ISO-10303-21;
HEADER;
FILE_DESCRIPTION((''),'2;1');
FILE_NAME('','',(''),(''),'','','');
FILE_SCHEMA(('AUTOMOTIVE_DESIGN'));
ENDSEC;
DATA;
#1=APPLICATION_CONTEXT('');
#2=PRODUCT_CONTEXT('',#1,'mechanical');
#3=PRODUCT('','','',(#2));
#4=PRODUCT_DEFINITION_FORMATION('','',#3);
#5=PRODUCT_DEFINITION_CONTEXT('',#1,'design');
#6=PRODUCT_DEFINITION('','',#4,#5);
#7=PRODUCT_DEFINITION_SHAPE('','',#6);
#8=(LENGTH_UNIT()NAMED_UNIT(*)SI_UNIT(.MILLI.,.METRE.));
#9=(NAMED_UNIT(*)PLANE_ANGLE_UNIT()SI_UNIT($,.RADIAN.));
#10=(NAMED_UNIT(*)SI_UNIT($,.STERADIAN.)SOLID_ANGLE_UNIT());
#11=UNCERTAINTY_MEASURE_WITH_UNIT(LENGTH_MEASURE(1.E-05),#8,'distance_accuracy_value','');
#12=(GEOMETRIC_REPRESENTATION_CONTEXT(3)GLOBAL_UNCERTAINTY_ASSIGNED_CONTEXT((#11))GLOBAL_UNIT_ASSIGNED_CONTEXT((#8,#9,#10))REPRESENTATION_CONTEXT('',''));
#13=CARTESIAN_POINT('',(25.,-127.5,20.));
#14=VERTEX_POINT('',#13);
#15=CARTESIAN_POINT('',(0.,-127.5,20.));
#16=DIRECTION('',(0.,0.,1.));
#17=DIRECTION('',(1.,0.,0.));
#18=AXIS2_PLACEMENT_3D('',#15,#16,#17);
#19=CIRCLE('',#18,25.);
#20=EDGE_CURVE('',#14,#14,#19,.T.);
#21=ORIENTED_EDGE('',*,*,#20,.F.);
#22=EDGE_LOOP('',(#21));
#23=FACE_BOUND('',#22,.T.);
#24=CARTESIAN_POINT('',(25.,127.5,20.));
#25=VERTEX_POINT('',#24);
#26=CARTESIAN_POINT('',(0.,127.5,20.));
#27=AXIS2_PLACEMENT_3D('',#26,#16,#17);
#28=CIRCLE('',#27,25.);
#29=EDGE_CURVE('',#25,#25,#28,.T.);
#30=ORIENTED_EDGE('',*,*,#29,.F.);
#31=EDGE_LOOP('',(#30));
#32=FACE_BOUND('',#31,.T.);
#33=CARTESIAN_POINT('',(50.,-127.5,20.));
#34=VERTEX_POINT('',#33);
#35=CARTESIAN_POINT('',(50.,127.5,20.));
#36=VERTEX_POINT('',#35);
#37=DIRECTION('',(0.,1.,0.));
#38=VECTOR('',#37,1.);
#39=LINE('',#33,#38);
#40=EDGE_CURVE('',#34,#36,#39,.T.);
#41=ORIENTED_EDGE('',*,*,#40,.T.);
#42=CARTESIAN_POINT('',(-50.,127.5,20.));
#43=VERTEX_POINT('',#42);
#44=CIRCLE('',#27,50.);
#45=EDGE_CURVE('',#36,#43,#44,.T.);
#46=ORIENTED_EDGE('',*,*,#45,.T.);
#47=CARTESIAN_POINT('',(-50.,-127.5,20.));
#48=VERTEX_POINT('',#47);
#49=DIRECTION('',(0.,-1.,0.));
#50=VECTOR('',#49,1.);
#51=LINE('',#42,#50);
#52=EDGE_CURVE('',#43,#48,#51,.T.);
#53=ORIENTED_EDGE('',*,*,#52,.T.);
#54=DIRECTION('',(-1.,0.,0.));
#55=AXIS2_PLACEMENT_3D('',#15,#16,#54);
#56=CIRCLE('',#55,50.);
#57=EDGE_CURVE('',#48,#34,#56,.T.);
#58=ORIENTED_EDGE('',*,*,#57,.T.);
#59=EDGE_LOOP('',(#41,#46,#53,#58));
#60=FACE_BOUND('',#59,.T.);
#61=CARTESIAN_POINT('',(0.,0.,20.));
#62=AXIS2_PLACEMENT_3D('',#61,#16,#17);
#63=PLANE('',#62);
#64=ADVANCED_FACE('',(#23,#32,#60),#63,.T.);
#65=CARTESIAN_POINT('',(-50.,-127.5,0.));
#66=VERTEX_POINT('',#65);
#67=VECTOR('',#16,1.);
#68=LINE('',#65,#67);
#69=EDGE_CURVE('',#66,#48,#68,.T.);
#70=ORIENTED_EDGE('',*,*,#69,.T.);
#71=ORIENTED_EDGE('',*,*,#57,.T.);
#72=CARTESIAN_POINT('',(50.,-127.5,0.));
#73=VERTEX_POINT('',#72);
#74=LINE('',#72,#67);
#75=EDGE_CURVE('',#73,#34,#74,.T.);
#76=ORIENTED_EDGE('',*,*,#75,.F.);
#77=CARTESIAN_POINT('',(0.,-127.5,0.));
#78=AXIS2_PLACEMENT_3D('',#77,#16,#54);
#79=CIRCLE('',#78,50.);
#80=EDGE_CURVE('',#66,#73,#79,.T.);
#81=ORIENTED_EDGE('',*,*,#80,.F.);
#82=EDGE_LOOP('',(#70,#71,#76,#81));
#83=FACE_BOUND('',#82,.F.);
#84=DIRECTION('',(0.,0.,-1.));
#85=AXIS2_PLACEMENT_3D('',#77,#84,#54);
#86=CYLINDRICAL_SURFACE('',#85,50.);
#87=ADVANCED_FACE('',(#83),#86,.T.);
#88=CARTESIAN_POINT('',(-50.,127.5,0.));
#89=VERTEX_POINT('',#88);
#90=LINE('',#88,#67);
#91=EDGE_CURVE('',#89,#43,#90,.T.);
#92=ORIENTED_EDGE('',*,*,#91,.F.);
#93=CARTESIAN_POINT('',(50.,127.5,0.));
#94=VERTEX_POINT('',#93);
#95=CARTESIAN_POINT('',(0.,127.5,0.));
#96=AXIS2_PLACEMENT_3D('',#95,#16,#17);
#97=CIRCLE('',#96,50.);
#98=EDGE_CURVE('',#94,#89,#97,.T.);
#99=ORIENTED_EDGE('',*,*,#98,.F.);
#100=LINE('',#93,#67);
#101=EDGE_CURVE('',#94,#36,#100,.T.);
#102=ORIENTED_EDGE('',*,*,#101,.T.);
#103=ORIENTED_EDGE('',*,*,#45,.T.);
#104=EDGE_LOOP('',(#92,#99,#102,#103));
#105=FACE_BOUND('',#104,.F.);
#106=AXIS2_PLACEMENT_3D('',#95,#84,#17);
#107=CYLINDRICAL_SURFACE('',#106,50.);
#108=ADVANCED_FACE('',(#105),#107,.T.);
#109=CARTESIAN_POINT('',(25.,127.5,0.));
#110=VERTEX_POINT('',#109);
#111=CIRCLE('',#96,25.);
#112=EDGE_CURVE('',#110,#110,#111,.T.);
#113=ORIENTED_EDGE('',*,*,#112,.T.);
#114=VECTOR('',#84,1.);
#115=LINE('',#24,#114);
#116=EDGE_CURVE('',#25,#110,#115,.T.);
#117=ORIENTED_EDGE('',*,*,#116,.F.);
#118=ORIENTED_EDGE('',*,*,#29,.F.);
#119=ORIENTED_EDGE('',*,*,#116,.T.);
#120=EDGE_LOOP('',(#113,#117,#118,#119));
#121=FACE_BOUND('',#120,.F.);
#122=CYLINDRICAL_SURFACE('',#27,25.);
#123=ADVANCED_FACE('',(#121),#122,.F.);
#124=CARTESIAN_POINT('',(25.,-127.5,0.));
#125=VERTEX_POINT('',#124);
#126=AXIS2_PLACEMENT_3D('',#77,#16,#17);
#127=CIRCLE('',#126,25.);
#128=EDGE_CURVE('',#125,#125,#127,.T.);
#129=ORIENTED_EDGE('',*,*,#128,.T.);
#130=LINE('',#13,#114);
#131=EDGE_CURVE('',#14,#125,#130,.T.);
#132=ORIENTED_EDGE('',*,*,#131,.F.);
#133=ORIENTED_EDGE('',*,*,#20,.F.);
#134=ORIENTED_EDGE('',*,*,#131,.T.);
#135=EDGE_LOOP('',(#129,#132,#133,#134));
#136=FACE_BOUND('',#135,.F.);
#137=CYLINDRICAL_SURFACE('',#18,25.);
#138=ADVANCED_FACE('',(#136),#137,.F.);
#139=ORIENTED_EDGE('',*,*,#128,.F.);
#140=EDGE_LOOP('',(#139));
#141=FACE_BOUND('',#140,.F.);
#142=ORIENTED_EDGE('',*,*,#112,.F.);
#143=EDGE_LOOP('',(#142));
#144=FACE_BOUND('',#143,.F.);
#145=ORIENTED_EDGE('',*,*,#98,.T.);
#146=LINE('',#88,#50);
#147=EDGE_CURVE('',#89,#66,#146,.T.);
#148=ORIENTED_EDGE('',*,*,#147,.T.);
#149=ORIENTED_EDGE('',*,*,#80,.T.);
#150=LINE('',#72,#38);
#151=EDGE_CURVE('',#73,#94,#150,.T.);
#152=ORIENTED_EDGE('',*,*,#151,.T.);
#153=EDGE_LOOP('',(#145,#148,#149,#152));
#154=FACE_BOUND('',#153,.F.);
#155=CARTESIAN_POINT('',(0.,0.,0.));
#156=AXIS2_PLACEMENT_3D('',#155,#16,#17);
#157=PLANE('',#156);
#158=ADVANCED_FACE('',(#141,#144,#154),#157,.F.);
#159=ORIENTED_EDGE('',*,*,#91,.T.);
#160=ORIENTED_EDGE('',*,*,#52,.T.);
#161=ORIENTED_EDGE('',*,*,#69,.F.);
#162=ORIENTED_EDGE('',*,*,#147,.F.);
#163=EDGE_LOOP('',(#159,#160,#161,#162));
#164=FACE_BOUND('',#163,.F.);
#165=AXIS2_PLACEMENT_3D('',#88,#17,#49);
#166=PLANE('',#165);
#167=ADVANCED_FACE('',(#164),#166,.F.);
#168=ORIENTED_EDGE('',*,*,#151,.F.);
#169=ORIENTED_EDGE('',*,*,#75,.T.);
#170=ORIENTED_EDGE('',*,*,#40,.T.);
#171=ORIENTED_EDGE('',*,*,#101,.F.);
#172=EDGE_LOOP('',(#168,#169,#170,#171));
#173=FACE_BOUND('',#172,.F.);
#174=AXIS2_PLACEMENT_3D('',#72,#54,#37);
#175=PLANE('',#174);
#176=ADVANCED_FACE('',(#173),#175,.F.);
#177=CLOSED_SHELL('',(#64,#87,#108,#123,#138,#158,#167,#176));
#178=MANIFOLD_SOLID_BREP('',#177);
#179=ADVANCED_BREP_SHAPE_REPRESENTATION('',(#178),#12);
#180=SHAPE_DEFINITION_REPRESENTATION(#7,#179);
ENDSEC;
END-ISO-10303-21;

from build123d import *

# Parameters (mm, degrees)
BOSS_EXTRUDE1_DEPTH = 20
SKETCH2_R           = 25
CUT_EXTRUDE1_DEPTH  = 20


with BuildPart() as part:
    # Sketch1 → Boss-Extrude1 (new body)
    with BuildSketch(Plane.XY):
        with BuildLine():
            Line((50, -127.5), (50, 127.5))
            ThreePointArc((50, 127.5), (0, 177.5), (-50, 127.5))
            Line((-50, 127.5), (-50, -127.5))
            ThreePointArc((-50, -127.5), (0, -177.5), (50, -127.5))
        make_face()
    extrude(amount=BOSS_EXTRUDE1_DEPTH)

    # Sketch2 → Cut-Extrude1 (cut)
    with BuildSketch(Plane.XY.offset(20)):
        with Locations((0, 127.5)):
            Circle(SKETCH2_R)
        with Locations((0, -127.5)):
            Circle(SKETCH2_R)
    extrude(amount=-CUT_EXTRUDE1_DEPTH, mode=Mode.SUBTRACT)


solid = part.part
